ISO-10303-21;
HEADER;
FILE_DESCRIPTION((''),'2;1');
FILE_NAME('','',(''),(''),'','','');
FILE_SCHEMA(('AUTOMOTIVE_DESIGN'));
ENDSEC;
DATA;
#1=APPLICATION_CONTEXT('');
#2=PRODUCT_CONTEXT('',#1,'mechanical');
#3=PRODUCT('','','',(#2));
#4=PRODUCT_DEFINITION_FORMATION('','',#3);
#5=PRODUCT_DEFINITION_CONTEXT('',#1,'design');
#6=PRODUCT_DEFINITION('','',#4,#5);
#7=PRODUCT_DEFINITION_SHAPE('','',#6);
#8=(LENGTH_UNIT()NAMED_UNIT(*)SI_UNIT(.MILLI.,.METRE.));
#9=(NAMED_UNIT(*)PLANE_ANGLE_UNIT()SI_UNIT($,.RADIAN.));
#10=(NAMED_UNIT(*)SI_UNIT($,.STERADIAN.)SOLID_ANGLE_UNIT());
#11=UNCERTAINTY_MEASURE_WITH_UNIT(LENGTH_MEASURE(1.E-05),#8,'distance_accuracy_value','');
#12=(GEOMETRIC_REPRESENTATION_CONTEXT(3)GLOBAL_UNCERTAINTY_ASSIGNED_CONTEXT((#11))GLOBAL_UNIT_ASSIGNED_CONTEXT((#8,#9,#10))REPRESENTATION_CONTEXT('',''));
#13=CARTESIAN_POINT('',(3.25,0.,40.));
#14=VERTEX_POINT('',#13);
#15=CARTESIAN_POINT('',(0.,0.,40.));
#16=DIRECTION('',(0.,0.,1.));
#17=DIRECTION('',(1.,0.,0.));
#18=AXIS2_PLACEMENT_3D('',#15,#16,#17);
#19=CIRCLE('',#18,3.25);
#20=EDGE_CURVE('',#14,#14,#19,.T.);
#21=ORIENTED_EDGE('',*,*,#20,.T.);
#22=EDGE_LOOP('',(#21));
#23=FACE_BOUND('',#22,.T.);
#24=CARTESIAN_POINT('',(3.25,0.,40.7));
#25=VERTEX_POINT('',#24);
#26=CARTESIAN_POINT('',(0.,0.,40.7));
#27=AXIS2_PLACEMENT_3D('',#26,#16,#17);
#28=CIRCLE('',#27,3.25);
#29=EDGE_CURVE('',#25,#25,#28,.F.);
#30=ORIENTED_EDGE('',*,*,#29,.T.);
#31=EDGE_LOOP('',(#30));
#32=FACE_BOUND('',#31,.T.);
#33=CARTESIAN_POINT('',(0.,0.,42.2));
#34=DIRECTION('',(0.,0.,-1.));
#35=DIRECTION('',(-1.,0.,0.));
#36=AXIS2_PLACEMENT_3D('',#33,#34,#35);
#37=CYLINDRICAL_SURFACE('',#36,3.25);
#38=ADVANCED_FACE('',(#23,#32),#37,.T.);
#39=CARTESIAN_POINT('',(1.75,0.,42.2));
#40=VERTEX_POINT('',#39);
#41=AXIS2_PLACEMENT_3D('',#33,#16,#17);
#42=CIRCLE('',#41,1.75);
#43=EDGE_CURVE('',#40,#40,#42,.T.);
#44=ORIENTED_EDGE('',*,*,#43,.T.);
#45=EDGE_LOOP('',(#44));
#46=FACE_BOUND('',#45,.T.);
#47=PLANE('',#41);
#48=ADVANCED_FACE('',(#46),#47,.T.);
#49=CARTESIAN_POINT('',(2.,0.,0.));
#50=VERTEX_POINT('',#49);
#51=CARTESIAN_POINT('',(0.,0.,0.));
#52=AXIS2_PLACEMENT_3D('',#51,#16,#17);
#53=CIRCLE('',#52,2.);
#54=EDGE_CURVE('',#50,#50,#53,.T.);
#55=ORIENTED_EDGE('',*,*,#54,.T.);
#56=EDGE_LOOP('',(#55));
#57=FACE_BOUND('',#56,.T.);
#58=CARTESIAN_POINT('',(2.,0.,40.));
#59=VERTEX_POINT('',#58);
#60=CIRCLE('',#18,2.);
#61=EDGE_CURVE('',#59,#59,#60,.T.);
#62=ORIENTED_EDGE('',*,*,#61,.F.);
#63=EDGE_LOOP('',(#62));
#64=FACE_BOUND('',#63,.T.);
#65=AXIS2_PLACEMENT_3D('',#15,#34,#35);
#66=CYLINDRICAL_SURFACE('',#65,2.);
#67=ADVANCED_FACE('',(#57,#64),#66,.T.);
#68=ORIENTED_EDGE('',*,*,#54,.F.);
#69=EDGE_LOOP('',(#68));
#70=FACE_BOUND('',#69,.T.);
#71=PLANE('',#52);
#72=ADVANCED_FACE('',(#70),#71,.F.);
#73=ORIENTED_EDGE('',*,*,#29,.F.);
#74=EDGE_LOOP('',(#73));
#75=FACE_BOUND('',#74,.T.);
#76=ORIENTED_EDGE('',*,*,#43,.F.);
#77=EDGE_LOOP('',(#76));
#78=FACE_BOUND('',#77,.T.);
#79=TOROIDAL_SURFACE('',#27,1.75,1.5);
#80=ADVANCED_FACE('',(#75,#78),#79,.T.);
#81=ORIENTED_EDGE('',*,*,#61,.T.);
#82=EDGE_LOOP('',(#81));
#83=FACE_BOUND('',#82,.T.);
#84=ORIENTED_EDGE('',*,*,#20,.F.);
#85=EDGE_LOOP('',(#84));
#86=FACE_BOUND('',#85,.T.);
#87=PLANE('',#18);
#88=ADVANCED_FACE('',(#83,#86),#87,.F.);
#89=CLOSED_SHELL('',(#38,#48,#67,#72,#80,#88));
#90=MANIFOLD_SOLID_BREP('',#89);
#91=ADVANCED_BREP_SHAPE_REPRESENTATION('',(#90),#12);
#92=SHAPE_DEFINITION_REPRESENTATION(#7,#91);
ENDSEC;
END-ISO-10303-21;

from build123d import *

# Parameters (mm, degrees)
SKETCH_1_R      = 2
EXTRUDE_1_DEPTH = 40
SKETCH_2_R      = 3.25
EXTRUDE_2_DEPTH = 2.2
FILLET_1_R      = 1.5


with BuildPart() as part:
    # 草图1 → 凸台-拉伸1 (new body)
    with BuildSketch(Plane.XY):
        Circle(SKETCH_1_R)
    extrude(amount=EXTRUDE_1_DEPTH)

    # 草图2 → 凸台-拉伸2 (add)
    with BuildSketch(Plane.XY.offset(40)):
        Circle(SKETCH_2_R)
    extrude(amount=EXTRUDE_2_DEPTH)

    # 圆角1
    fillet_1_edges = [part.edges().sort_by_distance(p)[0] for p in [
        (-3.25, 0, 42.2),
    ]]
    fillet(fillet_1_edges, radius=FILLET_1_R)


solid = part.part
